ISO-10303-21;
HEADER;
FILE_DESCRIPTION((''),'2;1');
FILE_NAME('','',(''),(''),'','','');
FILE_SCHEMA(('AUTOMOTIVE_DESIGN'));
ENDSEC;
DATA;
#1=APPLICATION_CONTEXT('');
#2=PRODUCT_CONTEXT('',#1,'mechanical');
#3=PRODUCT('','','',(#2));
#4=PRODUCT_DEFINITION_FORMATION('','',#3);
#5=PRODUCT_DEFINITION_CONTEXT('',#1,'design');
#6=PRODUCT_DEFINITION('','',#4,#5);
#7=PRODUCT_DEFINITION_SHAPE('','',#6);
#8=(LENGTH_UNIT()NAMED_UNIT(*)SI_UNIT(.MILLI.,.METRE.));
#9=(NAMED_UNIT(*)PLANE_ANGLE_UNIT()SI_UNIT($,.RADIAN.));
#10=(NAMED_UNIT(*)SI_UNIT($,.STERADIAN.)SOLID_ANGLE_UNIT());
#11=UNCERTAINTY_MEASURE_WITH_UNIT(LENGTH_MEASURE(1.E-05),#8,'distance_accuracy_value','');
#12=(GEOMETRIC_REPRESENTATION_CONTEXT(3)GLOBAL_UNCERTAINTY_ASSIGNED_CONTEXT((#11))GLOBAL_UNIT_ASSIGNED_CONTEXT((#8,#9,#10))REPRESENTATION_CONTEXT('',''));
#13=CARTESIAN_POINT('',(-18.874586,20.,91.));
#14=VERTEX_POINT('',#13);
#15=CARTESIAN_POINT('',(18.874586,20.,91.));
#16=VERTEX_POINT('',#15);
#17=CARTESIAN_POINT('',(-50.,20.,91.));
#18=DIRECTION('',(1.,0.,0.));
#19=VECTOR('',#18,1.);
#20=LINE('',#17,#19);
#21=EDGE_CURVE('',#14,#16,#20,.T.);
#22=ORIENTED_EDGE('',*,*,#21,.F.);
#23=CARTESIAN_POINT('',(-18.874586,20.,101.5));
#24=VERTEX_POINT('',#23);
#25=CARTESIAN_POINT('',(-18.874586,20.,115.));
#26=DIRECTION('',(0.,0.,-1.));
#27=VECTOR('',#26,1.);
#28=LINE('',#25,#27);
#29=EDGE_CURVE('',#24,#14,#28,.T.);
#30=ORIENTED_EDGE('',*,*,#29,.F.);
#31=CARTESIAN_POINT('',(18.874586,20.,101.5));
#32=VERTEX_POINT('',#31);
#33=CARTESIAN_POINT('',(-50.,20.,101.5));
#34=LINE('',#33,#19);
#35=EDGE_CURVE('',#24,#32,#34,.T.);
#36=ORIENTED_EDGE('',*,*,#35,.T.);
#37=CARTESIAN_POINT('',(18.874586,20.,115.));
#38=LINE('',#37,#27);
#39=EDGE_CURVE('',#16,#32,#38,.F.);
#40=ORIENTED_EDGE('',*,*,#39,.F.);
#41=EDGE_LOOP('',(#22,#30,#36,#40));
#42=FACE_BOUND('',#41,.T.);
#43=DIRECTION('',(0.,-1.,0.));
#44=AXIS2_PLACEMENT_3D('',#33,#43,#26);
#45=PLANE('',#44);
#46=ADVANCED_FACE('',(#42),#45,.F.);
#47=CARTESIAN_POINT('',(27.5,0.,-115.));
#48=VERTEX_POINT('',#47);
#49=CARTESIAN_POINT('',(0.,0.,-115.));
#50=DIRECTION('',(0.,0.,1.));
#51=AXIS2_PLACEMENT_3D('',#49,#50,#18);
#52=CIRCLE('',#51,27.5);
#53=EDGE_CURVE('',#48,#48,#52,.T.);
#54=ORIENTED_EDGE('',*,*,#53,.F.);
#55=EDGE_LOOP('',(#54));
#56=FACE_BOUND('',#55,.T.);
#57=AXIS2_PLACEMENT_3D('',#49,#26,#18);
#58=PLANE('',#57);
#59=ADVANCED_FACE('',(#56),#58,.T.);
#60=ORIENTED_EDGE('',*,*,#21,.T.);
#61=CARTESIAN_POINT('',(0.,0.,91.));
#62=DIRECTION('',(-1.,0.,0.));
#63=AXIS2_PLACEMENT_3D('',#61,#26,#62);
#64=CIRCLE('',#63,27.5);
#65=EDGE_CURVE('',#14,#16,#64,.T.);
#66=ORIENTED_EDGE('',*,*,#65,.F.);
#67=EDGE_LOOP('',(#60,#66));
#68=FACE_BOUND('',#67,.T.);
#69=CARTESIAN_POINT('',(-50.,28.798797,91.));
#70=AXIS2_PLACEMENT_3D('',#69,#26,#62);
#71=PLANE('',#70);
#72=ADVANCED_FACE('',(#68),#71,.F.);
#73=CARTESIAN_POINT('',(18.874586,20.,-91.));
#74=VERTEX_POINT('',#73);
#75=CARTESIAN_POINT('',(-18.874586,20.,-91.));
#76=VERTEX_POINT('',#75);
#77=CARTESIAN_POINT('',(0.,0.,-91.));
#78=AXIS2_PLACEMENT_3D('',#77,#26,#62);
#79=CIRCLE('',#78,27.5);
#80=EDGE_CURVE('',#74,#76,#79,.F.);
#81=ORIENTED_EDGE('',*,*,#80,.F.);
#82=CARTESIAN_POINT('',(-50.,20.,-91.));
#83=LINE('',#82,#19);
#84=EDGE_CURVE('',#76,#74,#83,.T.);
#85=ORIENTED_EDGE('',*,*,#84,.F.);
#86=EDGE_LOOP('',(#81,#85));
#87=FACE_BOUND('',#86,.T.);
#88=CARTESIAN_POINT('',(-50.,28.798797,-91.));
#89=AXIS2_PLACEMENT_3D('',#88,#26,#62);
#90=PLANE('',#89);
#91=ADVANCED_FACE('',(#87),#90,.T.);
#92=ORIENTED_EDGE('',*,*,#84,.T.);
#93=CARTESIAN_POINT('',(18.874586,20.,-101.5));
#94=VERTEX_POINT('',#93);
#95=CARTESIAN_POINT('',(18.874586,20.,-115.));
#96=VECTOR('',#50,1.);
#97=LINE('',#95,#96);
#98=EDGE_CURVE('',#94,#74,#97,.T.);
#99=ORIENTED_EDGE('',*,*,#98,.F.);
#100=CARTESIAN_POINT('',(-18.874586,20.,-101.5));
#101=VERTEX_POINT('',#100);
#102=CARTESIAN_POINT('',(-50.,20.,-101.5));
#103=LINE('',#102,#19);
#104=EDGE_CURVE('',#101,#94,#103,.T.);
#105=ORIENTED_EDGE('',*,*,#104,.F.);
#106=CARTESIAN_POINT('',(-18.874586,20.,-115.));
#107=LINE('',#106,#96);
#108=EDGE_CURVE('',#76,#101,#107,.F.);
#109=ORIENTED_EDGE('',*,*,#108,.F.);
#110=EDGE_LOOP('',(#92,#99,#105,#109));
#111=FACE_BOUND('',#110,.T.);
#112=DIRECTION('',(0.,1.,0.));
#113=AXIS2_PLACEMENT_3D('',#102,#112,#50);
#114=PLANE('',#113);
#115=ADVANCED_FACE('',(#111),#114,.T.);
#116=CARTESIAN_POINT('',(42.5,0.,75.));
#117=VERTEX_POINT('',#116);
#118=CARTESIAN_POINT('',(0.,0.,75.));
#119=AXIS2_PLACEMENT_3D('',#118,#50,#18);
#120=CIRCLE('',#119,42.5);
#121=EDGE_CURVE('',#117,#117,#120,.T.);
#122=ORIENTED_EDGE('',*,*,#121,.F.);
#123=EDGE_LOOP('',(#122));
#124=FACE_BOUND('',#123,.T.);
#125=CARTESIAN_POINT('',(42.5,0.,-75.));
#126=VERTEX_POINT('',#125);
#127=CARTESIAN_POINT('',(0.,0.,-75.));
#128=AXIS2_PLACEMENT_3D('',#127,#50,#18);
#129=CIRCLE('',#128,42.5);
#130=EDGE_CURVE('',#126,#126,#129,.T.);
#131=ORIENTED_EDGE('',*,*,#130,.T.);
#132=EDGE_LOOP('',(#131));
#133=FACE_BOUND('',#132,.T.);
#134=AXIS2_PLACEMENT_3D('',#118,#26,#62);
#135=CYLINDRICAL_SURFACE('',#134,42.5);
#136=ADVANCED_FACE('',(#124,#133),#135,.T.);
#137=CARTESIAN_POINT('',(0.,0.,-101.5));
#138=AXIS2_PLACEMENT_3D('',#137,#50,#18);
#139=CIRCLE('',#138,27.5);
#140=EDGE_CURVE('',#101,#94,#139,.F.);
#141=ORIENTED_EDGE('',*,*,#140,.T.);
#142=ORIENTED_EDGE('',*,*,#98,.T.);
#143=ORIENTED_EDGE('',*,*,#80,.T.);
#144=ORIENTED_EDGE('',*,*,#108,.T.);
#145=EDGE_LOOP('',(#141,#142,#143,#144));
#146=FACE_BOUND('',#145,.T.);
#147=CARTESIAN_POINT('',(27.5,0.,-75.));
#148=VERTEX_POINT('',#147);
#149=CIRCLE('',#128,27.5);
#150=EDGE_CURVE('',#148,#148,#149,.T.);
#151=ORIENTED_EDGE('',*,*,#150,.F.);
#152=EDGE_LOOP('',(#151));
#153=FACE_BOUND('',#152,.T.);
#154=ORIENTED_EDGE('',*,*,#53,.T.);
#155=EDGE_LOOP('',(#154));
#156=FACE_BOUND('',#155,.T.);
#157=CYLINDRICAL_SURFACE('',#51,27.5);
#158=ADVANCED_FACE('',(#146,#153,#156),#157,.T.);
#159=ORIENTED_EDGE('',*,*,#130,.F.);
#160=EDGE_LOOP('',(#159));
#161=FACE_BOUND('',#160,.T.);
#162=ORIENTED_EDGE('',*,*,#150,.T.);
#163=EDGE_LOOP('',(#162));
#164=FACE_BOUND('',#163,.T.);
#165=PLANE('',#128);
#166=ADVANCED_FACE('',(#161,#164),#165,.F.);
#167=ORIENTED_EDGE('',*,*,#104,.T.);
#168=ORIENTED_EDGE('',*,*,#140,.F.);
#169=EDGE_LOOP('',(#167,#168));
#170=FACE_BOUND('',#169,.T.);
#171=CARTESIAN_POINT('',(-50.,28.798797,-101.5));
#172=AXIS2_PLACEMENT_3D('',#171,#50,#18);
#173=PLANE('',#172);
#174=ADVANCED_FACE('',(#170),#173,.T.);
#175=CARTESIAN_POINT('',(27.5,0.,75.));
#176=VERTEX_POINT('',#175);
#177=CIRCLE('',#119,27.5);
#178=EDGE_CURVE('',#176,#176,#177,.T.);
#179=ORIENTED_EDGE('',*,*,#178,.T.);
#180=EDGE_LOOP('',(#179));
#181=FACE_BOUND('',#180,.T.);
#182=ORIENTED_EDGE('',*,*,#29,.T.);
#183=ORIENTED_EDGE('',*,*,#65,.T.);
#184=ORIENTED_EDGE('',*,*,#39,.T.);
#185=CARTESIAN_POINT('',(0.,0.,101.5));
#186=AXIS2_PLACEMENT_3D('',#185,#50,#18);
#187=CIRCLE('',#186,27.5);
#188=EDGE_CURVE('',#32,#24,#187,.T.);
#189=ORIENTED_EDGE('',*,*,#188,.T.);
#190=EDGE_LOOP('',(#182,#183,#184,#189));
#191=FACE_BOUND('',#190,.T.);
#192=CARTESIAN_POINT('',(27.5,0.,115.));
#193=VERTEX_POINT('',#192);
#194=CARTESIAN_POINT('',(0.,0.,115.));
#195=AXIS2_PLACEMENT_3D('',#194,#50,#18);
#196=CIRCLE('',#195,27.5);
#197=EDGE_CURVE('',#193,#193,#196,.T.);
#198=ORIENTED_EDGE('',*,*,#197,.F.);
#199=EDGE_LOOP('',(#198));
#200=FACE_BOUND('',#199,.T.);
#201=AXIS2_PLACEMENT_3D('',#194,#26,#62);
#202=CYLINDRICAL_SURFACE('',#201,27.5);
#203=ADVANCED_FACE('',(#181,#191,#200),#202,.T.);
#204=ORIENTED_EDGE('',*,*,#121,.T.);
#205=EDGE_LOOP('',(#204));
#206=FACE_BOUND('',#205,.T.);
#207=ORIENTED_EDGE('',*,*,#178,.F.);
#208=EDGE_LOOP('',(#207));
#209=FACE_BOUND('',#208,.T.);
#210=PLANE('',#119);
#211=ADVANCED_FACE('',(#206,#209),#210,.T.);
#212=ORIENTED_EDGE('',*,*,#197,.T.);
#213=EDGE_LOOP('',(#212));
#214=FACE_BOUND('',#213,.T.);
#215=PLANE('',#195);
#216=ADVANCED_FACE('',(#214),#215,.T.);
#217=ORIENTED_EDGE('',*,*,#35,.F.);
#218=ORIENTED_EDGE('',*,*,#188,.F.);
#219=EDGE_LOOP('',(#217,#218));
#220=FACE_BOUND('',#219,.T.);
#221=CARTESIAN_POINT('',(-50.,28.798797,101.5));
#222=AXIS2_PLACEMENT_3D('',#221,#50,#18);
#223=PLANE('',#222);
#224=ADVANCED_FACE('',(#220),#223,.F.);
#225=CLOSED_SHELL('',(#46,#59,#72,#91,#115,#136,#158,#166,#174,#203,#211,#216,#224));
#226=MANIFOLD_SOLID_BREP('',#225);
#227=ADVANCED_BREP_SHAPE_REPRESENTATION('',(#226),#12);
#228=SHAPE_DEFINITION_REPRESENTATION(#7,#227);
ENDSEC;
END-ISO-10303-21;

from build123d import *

# Parameters (mm, degrees)
SKETCH2_R           = 42.5
BOSS_EXTRUDE2_DEPTH = 75
SKETCH3_R           = 27.5
BOSS_EXTRUDE3_DEPTH = 40
SKETCH4_W           = 10.5
SKETCH4_H           = 8.79879656
CUT_EXTRUDE1_DEPTH  = 50


with BuildPart() as part:
    # Sketch2 → Boss-Extrude2 (new, symmetric)
    with BuildSketch(Plane.XY):
        Circle(SKETCH2_R)
    extrude(amount=BOSS_EXTRUDE2_DEPTH, both=True)

    # Sketch3 → Boss-Extrude3 (add)
    with BuildSketch(Plane.XY.offset(75)):
        Circle(SKETCH3_R)
    boss_extrude3 = extrude(amount=BOSS_EXTRUDE3_DEPTH)

    # Sketch4 → Cut-Extrude1 (cut, symmetric)
    with BuildSketch(Plane(origin=(0, 0, 0), x_dir=(0, 0, -1), z_dir=(1, 0, 0))):
        with Locations((-96.25, 24.39939828)):
            Rectangle(SKETCH4_W, SKETCH4_H)
    cut_extrude1 = extrude(amount=CUT_EXTRUDE1_DEPTH, both=True, mode=Mode.SUBTRACT)

    # Mirror3: Boss-Extrude3, Cut-Extrude1 across plane
    add(boss_extrude3.mirror(Plane.XY))
    add(cut_extrude1.mirror(Plane.XY), mode=Mode.SUBTRACT)


solid = part.part
